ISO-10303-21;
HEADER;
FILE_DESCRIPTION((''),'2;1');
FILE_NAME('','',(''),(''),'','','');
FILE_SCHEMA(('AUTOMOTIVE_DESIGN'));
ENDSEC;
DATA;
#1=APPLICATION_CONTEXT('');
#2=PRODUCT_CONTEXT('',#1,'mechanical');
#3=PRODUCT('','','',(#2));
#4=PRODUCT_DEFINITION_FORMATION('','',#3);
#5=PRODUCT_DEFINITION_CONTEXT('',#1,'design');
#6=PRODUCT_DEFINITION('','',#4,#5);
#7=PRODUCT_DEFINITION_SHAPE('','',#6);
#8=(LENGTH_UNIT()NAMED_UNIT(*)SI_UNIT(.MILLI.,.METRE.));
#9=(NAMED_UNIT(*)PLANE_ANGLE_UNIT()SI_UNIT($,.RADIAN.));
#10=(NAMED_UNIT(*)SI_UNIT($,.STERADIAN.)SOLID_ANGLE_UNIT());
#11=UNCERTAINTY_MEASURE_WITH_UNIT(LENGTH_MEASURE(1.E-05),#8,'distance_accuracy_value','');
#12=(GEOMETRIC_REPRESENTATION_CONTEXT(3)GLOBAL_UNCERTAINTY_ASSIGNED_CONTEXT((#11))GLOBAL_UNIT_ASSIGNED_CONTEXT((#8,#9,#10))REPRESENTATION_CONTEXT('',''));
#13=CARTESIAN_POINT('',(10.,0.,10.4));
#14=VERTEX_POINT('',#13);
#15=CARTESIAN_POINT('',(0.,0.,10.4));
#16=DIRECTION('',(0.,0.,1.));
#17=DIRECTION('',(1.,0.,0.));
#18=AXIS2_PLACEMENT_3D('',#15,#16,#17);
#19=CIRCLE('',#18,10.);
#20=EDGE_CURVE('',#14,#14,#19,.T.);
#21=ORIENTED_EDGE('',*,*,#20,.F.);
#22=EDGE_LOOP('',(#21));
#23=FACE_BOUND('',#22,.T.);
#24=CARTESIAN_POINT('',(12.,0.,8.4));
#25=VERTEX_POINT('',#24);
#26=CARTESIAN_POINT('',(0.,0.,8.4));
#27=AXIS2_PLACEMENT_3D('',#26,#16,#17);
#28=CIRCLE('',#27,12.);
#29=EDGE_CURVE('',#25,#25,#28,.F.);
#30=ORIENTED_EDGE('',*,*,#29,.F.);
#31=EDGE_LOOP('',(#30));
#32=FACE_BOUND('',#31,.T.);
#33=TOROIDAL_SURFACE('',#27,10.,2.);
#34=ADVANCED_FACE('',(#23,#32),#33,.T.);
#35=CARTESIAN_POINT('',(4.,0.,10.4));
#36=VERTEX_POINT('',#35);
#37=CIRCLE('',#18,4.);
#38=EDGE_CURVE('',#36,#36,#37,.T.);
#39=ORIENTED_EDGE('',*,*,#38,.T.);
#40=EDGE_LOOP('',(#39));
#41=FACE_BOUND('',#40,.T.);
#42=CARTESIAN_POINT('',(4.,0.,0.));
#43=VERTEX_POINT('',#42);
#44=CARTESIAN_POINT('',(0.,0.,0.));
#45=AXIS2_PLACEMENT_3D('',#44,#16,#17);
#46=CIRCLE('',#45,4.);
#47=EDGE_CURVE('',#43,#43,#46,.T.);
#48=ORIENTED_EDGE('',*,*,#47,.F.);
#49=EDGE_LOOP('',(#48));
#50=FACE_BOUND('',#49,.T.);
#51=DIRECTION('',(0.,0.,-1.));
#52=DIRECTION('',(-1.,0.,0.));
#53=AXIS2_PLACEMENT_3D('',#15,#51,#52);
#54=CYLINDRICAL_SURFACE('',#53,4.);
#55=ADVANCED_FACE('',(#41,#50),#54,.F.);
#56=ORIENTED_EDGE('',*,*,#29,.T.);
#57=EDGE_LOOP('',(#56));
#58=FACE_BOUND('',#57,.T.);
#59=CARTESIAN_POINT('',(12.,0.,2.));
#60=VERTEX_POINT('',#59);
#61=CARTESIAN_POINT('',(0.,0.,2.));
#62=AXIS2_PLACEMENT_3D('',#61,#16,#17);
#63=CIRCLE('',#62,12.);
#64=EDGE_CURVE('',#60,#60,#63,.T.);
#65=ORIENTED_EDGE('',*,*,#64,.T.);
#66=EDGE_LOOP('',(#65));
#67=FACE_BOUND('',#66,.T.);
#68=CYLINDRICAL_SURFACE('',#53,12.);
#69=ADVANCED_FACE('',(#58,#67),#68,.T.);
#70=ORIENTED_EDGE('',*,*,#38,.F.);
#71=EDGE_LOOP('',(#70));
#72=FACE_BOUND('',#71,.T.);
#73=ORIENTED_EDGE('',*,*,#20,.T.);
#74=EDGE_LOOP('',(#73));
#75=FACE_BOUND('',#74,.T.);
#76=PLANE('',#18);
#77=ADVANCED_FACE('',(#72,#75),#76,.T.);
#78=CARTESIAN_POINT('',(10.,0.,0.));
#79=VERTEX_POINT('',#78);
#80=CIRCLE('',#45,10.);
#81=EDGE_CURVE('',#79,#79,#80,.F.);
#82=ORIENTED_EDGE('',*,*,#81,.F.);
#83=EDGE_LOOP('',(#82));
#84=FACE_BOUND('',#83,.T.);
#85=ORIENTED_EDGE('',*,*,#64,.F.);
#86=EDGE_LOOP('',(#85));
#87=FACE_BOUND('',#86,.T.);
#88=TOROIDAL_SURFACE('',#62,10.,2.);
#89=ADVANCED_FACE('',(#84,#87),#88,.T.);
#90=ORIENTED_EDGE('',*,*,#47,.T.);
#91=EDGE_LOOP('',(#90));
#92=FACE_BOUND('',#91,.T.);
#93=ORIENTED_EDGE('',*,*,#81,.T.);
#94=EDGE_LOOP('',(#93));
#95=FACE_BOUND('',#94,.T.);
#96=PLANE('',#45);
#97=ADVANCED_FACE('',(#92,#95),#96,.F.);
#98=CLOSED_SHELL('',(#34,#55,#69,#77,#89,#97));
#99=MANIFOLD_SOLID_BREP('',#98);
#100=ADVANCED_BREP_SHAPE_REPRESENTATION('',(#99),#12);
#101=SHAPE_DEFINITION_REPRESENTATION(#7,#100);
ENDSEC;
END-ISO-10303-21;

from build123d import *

# Parameters (mm, degrees)
ESQUISSE1_R             = 12
BOSS_EXTRU_1_DEPTH      = 10.4
CONG_1_R                = 2
CONG_2_R                = 2
ESQUISSE2_R             = 4
ENL_V_MAT_EXTRU_1_DEPTH = 10.4


with BuildPart() as part:
    # Esquisse1 → Boss.-Extru.1 (new body)
    with BuildSketch(Plane.XY):
        Circle(ESQUISSE1_R)
    extrude(amount=BOSS_EXTRU_1_DEPTH)

    # Congé1
    cong_1_edges = [part.edges().sort_by_distance(p)[0] for p in [
        (-12, 0, 10.4),
    ]]
    fillet(cong_1_edges, radius=CONG_1_R)

    # Congé2
    cong_2_edges = [part.edges().sort_by_distance(p)[0] for p in [
        (-12, 0, 0),
    ]]
    fillet(cong_2_edges, radius=CONG_2_R)

    # Esquisse2 → Enlèv. mat.-Extru.1 (cut)
    with BuildSketch(Plane.XY):
        Circle(ESQUISSE2_R)
    extrude(amount=ENL_V_MAT_EXTRU_1_DEPTH, mode=Mode.SUBTRACT)


solid = part.part
